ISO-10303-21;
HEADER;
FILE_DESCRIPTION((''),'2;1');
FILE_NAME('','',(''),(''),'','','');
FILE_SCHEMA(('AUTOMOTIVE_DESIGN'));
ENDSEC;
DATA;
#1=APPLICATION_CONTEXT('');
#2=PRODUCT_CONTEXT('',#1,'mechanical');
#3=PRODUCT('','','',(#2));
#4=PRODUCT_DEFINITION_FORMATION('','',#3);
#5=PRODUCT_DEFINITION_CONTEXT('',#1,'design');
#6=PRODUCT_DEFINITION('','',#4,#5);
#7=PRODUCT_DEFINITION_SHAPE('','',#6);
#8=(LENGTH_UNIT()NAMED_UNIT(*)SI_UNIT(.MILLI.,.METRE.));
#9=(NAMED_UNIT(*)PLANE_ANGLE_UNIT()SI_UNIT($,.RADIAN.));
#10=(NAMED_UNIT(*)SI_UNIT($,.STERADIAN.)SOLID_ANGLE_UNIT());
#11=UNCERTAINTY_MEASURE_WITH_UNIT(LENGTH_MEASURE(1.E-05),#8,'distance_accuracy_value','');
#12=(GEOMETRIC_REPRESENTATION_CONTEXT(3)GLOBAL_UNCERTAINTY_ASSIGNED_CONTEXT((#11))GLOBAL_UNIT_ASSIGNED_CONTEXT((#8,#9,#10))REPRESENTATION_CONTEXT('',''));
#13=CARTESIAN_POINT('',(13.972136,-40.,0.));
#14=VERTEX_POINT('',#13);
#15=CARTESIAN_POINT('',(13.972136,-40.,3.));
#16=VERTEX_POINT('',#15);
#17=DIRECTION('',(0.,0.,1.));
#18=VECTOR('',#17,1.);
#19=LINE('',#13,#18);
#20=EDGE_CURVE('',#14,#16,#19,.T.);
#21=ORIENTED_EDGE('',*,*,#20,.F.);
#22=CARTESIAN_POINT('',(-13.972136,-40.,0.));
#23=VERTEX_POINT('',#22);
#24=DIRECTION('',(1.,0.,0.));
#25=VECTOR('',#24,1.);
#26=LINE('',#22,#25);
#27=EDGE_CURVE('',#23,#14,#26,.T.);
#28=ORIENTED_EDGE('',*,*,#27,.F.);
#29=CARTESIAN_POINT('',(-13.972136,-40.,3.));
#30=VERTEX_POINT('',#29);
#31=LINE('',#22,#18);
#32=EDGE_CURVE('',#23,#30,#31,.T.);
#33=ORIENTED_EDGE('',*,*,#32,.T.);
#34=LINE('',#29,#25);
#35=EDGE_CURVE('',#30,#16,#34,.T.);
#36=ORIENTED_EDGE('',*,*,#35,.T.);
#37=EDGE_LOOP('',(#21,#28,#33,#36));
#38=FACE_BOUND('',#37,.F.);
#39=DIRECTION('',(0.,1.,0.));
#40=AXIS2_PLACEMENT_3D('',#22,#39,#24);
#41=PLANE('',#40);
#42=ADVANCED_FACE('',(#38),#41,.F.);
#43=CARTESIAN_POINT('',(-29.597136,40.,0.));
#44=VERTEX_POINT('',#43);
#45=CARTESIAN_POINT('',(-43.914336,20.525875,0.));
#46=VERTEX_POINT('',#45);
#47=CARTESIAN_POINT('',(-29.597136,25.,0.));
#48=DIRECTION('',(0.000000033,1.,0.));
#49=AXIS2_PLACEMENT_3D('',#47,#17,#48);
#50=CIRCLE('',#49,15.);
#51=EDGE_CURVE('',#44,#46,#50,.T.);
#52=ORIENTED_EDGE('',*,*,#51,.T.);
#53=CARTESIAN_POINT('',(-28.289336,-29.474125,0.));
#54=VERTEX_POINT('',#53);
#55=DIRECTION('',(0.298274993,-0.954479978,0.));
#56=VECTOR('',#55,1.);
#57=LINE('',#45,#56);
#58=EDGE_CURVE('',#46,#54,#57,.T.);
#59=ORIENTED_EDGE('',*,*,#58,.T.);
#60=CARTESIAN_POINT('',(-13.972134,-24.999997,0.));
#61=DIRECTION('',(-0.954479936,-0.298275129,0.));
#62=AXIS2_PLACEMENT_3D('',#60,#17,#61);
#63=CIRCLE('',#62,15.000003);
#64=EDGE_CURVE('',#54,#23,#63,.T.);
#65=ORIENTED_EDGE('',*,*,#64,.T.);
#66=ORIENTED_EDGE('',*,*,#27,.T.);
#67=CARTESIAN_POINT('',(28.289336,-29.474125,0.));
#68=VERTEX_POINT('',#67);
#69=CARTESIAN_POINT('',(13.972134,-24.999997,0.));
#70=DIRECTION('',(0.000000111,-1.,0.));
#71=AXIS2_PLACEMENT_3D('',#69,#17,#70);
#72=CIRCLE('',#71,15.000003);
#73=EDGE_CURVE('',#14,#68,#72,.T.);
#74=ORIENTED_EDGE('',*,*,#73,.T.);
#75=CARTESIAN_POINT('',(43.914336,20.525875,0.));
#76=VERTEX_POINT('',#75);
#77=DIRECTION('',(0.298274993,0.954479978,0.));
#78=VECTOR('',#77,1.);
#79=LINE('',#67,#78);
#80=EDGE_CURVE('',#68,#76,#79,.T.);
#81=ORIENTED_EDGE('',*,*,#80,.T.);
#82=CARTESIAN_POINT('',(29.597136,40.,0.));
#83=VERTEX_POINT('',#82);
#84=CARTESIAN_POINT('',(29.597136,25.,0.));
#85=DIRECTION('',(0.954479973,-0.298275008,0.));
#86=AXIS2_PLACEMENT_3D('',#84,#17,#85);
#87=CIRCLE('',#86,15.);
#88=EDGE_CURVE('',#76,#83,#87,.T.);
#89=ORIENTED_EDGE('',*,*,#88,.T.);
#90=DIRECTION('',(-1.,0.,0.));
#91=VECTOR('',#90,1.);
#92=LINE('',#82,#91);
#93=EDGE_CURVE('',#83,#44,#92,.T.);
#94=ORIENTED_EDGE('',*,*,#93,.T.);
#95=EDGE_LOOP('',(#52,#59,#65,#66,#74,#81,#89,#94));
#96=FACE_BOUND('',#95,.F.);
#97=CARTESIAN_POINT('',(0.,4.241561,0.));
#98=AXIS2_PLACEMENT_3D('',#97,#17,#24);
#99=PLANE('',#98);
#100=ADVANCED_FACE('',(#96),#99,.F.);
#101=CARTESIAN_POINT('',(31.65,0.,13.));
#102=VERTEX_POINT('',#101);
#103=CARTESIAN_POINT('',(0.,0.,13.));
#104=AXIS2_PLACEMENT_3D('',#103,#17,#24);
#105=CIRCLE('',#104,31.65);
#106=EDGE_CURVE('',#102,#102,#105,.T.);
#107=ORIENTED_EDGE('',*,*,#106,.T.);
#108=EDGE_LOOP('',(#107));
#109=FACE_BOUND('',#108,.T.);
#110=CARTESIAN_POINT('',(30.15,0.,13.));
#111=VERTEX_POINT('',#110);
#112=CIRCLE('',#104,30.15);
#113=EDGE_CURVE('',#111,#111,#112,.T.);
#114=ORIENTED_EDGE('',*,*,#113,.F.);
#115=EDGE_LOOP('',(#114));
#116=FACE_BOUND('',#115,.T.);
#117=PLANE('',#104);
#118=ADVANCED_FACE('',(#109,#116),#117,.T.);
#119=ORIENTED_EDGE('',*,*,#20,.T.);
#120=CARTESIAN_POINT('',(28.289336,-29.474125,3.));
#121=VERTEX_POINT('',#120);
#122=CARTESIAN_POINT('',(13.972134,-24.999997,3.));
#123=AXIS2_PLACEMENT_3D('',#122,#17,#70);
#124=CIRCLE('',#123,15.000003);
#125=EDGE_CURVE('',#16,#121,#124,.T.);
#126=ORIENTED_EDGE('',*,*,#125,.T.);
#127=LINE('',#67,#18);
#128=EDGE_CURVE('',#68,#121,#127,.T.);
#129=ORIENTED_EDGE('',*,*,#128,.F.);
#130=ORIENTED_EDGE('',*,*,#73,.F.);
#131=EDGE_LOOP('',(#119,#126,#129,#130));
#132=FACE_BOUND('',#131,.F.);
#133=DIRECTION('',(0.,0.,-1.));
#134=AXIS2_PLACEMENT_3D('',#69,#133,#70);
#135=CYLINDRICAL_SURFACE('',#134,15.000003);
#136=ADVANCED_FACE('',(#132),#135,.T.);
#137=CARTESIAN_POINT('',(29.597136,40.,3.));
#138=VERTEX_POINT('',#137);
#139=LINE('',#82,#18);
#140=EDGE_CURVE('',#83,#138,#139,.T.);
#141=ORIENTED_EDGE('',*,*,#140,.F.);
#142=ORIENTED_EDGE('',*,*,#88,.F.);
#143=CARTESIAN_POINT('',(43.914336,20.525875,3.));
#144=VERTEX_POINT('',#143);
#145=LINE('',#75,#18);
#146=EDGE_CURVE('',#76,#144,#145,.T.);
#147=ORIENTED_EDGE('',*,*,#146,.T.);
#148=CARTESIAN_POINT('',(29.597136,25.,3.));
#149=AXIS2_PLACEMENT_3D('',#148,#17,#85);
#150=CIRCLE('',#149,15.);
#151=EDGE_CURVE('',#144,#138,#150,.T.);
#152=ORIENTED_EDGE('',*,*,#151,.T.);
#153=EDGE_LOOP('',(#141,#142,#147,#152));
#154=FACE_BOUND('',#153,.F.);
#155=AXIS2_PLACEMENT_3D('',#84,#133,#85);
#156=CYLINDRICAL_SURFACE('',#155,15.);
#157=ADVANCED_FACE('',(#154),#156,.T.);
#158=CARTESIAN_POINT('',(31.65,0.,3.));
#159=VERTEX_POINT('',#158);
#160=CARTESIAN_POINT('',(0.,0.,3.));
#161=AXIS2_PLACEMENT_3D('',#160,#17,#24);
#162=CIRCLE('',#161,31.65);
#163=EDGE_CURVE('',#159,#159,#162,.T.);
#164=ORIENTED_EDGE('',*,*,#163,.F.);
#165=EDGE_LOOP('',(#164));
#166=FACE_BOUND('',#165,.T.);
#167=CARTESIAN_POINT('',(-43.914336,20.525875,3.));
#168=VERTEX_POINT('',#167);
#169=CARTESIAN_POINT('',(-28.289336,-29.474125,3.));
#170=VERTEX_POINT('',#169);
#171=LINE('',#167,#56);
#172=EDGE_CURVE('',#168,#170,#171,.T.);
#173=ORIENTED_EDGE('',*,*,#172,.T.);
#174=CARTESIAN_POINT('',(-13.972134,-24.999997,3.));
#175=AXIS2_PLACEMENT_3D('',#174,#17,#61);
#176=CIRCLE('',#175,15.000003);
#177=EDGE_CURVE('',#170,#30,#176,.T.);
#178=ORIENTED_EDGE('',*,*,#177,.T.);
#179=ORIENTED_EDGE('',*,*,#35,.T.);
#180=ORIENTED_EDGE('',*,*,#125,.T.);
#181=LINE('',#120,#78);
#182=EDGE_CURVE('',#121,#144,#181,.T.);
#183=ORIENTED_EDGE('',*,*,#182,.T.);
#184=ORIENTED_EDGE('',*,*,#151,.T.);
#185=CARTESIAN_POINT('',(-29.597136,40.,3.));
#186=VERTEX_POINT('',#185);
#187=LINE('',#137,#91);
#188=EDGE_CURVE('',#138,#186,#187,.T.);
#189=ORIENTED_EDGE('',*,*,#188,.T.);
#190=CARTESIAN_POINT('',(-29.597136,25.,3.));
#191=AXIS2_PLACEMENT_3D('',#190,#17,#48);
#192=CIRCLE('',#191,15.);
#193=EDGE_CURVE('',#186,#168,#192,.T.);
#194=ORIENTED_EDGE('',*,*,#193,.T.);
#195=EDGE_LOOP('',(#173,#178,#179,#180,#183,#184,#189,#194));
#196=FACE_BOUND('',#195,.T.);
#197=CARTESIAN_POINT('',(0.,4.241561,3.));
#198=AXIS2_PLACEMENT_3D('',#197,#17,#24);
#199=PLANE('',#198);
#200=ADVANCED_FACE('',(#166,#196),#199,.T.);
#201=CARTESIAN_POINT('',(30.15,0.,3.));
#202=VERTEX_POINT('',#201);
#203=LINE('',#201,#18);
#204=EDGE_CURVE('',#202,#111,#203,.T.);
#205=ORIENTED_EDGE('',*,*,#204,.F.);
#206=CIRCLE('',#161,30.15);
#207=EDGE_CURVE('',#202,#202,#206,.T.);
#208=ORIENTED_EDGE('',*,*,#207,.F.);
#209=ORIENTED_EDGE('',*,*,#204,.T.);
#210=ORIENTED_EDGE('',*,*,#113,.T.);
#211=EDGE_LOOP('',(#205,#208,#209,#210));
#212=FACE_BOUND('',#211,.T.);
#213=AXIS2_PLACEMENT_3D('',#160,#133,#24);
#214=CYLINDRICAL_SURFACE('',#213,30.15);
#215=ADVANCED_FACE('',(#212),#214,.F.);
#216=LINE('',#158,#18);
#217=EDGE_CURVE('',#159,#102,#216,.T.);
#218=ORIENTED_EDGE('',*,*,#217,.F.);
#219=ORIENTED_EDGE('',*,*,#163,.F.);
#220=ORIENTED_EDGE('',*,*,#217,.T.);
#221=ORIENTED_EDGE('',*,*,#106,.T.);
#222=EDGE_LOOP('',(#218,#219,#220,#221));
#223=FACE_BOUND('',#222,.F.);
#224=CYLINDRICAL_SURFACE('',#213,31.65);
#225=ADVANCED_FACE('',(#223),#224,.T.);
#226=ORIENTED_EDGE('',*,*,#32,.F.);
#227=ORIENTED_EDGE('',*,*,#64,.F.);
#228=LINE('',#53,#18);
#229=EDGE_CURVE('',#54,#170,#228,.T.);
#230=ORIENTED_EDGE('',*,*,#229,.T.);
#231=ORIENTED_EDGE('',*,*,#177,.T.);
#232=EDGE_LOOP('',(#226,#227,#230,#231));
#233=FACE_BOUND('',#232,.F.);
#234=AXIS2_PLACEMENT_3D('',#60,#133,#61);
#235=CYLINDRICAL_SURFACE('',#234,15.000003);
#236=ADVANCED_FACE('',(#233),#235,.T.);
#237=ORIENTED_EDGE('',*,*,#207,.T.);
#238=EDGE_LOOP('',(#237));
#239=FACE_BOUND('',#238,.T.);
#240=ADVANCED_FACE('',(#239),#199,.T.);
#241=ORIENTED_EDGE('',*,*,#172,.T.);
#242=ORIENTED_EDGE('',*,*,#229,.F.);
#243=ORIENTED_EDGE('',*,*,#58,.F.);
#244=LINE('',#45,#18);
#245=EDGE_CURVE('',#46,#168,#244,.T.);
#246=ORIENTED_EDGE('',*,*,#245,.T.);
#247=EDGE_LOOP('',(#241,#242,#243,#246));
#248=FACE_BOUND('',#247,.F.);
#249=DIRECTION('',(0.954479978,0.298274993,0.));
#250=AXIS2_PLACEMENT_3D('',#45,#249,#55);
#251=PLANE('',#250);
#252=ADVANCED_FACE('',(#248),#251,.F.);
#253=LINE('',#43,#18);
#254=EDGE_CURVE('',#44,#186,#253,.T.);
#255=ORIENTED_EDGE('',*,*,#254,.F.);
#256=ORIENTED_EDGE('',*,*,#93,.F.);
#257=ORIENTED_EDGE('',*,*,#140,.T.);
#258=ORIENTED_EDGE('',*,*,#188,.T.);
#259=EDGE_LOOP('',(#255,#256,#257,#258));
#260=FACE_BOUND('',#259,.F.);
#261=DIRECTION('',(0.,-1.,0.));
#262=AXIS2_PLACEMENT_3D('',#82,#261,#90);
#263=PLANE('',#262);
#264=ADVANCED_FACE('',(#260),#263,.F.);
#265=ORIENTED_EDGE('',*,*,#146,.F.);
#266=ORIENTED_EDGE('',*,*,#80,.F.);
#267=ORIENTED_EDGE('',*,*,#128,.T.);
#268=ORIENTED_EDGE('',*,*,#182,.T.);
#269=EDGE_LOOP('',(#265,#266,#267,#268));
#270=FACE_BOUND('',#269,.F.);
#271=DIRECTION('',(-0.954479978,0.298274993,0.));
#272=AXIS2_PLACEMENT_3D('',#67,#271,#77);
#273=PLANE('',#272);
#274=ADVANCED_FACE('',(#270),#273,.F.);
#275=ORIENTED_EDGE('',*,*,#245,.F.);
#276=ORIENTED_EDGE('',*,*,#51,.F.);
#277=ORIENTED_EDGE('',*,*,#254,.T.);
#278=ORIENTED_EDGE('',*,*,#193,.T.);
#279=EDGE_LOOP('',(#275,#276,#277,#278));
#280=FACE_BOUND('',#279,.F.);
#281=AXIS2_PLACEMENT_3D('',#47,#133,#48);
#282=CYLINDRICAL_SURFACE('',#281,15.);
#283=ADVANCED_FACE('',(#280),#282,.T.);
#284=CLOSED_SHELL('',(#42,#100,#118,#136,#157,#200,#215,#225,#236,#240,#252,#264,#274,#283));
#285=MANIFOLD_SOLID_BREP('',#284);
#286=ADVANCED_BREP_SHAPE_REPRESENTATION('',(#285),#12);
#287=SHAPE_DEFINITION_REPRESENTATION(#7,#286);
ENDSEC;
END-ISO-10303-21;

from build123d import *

# Parameters (mm, degrees)
PAD_DEPTH     = 3
SKETCH001_R   = 31.65
SKETCH001_R_2 = 30.15
PAD001_DEPTH  = 10


with BuildPart() as part:
    # Sketch → Pad (new body)
    with BuildSketch(Plane.XY):
        with BuildLine():
            Line((29.597136, 40), (-29.597136, 40))
            ThreePointArc((-29.597136, 40), (-41.682497, 33.885047), (-43.914336, 20.525875))
            Line((-43.914336, 20.525875), (-28.289336, -29.474125))
            ThreePointArc((-28.289336, -29.474125), (-22.857183, -37.08536), (-13.972136, -40))
            Line((-13.972136, -40), (13.972136, -40))
            ThreePointArc((13.972136, -40), (22.857183, -37.08536), (28.289336, -29.474125))
            Line((28.289336, -29.474125), (43.914336, 20.525875))
            ThreePointArc((43.914336, 20.525875), (41.682497, 33.885047), (29.597136, 40))
        make_face()
    extrude(amount=PAD_DEPTH)

    # Sketch001 (on Face10 of Pad) → Pad001 (join)
    with BuildSketch(Plane.XY.offset(3)):
        Circle(SKETCH001_R)
        Circle(SKETCH001_R_2, mode=Mode.SUBTRACT)
    extrude(amount=PAD001_DEPTH)


solid = part.part
